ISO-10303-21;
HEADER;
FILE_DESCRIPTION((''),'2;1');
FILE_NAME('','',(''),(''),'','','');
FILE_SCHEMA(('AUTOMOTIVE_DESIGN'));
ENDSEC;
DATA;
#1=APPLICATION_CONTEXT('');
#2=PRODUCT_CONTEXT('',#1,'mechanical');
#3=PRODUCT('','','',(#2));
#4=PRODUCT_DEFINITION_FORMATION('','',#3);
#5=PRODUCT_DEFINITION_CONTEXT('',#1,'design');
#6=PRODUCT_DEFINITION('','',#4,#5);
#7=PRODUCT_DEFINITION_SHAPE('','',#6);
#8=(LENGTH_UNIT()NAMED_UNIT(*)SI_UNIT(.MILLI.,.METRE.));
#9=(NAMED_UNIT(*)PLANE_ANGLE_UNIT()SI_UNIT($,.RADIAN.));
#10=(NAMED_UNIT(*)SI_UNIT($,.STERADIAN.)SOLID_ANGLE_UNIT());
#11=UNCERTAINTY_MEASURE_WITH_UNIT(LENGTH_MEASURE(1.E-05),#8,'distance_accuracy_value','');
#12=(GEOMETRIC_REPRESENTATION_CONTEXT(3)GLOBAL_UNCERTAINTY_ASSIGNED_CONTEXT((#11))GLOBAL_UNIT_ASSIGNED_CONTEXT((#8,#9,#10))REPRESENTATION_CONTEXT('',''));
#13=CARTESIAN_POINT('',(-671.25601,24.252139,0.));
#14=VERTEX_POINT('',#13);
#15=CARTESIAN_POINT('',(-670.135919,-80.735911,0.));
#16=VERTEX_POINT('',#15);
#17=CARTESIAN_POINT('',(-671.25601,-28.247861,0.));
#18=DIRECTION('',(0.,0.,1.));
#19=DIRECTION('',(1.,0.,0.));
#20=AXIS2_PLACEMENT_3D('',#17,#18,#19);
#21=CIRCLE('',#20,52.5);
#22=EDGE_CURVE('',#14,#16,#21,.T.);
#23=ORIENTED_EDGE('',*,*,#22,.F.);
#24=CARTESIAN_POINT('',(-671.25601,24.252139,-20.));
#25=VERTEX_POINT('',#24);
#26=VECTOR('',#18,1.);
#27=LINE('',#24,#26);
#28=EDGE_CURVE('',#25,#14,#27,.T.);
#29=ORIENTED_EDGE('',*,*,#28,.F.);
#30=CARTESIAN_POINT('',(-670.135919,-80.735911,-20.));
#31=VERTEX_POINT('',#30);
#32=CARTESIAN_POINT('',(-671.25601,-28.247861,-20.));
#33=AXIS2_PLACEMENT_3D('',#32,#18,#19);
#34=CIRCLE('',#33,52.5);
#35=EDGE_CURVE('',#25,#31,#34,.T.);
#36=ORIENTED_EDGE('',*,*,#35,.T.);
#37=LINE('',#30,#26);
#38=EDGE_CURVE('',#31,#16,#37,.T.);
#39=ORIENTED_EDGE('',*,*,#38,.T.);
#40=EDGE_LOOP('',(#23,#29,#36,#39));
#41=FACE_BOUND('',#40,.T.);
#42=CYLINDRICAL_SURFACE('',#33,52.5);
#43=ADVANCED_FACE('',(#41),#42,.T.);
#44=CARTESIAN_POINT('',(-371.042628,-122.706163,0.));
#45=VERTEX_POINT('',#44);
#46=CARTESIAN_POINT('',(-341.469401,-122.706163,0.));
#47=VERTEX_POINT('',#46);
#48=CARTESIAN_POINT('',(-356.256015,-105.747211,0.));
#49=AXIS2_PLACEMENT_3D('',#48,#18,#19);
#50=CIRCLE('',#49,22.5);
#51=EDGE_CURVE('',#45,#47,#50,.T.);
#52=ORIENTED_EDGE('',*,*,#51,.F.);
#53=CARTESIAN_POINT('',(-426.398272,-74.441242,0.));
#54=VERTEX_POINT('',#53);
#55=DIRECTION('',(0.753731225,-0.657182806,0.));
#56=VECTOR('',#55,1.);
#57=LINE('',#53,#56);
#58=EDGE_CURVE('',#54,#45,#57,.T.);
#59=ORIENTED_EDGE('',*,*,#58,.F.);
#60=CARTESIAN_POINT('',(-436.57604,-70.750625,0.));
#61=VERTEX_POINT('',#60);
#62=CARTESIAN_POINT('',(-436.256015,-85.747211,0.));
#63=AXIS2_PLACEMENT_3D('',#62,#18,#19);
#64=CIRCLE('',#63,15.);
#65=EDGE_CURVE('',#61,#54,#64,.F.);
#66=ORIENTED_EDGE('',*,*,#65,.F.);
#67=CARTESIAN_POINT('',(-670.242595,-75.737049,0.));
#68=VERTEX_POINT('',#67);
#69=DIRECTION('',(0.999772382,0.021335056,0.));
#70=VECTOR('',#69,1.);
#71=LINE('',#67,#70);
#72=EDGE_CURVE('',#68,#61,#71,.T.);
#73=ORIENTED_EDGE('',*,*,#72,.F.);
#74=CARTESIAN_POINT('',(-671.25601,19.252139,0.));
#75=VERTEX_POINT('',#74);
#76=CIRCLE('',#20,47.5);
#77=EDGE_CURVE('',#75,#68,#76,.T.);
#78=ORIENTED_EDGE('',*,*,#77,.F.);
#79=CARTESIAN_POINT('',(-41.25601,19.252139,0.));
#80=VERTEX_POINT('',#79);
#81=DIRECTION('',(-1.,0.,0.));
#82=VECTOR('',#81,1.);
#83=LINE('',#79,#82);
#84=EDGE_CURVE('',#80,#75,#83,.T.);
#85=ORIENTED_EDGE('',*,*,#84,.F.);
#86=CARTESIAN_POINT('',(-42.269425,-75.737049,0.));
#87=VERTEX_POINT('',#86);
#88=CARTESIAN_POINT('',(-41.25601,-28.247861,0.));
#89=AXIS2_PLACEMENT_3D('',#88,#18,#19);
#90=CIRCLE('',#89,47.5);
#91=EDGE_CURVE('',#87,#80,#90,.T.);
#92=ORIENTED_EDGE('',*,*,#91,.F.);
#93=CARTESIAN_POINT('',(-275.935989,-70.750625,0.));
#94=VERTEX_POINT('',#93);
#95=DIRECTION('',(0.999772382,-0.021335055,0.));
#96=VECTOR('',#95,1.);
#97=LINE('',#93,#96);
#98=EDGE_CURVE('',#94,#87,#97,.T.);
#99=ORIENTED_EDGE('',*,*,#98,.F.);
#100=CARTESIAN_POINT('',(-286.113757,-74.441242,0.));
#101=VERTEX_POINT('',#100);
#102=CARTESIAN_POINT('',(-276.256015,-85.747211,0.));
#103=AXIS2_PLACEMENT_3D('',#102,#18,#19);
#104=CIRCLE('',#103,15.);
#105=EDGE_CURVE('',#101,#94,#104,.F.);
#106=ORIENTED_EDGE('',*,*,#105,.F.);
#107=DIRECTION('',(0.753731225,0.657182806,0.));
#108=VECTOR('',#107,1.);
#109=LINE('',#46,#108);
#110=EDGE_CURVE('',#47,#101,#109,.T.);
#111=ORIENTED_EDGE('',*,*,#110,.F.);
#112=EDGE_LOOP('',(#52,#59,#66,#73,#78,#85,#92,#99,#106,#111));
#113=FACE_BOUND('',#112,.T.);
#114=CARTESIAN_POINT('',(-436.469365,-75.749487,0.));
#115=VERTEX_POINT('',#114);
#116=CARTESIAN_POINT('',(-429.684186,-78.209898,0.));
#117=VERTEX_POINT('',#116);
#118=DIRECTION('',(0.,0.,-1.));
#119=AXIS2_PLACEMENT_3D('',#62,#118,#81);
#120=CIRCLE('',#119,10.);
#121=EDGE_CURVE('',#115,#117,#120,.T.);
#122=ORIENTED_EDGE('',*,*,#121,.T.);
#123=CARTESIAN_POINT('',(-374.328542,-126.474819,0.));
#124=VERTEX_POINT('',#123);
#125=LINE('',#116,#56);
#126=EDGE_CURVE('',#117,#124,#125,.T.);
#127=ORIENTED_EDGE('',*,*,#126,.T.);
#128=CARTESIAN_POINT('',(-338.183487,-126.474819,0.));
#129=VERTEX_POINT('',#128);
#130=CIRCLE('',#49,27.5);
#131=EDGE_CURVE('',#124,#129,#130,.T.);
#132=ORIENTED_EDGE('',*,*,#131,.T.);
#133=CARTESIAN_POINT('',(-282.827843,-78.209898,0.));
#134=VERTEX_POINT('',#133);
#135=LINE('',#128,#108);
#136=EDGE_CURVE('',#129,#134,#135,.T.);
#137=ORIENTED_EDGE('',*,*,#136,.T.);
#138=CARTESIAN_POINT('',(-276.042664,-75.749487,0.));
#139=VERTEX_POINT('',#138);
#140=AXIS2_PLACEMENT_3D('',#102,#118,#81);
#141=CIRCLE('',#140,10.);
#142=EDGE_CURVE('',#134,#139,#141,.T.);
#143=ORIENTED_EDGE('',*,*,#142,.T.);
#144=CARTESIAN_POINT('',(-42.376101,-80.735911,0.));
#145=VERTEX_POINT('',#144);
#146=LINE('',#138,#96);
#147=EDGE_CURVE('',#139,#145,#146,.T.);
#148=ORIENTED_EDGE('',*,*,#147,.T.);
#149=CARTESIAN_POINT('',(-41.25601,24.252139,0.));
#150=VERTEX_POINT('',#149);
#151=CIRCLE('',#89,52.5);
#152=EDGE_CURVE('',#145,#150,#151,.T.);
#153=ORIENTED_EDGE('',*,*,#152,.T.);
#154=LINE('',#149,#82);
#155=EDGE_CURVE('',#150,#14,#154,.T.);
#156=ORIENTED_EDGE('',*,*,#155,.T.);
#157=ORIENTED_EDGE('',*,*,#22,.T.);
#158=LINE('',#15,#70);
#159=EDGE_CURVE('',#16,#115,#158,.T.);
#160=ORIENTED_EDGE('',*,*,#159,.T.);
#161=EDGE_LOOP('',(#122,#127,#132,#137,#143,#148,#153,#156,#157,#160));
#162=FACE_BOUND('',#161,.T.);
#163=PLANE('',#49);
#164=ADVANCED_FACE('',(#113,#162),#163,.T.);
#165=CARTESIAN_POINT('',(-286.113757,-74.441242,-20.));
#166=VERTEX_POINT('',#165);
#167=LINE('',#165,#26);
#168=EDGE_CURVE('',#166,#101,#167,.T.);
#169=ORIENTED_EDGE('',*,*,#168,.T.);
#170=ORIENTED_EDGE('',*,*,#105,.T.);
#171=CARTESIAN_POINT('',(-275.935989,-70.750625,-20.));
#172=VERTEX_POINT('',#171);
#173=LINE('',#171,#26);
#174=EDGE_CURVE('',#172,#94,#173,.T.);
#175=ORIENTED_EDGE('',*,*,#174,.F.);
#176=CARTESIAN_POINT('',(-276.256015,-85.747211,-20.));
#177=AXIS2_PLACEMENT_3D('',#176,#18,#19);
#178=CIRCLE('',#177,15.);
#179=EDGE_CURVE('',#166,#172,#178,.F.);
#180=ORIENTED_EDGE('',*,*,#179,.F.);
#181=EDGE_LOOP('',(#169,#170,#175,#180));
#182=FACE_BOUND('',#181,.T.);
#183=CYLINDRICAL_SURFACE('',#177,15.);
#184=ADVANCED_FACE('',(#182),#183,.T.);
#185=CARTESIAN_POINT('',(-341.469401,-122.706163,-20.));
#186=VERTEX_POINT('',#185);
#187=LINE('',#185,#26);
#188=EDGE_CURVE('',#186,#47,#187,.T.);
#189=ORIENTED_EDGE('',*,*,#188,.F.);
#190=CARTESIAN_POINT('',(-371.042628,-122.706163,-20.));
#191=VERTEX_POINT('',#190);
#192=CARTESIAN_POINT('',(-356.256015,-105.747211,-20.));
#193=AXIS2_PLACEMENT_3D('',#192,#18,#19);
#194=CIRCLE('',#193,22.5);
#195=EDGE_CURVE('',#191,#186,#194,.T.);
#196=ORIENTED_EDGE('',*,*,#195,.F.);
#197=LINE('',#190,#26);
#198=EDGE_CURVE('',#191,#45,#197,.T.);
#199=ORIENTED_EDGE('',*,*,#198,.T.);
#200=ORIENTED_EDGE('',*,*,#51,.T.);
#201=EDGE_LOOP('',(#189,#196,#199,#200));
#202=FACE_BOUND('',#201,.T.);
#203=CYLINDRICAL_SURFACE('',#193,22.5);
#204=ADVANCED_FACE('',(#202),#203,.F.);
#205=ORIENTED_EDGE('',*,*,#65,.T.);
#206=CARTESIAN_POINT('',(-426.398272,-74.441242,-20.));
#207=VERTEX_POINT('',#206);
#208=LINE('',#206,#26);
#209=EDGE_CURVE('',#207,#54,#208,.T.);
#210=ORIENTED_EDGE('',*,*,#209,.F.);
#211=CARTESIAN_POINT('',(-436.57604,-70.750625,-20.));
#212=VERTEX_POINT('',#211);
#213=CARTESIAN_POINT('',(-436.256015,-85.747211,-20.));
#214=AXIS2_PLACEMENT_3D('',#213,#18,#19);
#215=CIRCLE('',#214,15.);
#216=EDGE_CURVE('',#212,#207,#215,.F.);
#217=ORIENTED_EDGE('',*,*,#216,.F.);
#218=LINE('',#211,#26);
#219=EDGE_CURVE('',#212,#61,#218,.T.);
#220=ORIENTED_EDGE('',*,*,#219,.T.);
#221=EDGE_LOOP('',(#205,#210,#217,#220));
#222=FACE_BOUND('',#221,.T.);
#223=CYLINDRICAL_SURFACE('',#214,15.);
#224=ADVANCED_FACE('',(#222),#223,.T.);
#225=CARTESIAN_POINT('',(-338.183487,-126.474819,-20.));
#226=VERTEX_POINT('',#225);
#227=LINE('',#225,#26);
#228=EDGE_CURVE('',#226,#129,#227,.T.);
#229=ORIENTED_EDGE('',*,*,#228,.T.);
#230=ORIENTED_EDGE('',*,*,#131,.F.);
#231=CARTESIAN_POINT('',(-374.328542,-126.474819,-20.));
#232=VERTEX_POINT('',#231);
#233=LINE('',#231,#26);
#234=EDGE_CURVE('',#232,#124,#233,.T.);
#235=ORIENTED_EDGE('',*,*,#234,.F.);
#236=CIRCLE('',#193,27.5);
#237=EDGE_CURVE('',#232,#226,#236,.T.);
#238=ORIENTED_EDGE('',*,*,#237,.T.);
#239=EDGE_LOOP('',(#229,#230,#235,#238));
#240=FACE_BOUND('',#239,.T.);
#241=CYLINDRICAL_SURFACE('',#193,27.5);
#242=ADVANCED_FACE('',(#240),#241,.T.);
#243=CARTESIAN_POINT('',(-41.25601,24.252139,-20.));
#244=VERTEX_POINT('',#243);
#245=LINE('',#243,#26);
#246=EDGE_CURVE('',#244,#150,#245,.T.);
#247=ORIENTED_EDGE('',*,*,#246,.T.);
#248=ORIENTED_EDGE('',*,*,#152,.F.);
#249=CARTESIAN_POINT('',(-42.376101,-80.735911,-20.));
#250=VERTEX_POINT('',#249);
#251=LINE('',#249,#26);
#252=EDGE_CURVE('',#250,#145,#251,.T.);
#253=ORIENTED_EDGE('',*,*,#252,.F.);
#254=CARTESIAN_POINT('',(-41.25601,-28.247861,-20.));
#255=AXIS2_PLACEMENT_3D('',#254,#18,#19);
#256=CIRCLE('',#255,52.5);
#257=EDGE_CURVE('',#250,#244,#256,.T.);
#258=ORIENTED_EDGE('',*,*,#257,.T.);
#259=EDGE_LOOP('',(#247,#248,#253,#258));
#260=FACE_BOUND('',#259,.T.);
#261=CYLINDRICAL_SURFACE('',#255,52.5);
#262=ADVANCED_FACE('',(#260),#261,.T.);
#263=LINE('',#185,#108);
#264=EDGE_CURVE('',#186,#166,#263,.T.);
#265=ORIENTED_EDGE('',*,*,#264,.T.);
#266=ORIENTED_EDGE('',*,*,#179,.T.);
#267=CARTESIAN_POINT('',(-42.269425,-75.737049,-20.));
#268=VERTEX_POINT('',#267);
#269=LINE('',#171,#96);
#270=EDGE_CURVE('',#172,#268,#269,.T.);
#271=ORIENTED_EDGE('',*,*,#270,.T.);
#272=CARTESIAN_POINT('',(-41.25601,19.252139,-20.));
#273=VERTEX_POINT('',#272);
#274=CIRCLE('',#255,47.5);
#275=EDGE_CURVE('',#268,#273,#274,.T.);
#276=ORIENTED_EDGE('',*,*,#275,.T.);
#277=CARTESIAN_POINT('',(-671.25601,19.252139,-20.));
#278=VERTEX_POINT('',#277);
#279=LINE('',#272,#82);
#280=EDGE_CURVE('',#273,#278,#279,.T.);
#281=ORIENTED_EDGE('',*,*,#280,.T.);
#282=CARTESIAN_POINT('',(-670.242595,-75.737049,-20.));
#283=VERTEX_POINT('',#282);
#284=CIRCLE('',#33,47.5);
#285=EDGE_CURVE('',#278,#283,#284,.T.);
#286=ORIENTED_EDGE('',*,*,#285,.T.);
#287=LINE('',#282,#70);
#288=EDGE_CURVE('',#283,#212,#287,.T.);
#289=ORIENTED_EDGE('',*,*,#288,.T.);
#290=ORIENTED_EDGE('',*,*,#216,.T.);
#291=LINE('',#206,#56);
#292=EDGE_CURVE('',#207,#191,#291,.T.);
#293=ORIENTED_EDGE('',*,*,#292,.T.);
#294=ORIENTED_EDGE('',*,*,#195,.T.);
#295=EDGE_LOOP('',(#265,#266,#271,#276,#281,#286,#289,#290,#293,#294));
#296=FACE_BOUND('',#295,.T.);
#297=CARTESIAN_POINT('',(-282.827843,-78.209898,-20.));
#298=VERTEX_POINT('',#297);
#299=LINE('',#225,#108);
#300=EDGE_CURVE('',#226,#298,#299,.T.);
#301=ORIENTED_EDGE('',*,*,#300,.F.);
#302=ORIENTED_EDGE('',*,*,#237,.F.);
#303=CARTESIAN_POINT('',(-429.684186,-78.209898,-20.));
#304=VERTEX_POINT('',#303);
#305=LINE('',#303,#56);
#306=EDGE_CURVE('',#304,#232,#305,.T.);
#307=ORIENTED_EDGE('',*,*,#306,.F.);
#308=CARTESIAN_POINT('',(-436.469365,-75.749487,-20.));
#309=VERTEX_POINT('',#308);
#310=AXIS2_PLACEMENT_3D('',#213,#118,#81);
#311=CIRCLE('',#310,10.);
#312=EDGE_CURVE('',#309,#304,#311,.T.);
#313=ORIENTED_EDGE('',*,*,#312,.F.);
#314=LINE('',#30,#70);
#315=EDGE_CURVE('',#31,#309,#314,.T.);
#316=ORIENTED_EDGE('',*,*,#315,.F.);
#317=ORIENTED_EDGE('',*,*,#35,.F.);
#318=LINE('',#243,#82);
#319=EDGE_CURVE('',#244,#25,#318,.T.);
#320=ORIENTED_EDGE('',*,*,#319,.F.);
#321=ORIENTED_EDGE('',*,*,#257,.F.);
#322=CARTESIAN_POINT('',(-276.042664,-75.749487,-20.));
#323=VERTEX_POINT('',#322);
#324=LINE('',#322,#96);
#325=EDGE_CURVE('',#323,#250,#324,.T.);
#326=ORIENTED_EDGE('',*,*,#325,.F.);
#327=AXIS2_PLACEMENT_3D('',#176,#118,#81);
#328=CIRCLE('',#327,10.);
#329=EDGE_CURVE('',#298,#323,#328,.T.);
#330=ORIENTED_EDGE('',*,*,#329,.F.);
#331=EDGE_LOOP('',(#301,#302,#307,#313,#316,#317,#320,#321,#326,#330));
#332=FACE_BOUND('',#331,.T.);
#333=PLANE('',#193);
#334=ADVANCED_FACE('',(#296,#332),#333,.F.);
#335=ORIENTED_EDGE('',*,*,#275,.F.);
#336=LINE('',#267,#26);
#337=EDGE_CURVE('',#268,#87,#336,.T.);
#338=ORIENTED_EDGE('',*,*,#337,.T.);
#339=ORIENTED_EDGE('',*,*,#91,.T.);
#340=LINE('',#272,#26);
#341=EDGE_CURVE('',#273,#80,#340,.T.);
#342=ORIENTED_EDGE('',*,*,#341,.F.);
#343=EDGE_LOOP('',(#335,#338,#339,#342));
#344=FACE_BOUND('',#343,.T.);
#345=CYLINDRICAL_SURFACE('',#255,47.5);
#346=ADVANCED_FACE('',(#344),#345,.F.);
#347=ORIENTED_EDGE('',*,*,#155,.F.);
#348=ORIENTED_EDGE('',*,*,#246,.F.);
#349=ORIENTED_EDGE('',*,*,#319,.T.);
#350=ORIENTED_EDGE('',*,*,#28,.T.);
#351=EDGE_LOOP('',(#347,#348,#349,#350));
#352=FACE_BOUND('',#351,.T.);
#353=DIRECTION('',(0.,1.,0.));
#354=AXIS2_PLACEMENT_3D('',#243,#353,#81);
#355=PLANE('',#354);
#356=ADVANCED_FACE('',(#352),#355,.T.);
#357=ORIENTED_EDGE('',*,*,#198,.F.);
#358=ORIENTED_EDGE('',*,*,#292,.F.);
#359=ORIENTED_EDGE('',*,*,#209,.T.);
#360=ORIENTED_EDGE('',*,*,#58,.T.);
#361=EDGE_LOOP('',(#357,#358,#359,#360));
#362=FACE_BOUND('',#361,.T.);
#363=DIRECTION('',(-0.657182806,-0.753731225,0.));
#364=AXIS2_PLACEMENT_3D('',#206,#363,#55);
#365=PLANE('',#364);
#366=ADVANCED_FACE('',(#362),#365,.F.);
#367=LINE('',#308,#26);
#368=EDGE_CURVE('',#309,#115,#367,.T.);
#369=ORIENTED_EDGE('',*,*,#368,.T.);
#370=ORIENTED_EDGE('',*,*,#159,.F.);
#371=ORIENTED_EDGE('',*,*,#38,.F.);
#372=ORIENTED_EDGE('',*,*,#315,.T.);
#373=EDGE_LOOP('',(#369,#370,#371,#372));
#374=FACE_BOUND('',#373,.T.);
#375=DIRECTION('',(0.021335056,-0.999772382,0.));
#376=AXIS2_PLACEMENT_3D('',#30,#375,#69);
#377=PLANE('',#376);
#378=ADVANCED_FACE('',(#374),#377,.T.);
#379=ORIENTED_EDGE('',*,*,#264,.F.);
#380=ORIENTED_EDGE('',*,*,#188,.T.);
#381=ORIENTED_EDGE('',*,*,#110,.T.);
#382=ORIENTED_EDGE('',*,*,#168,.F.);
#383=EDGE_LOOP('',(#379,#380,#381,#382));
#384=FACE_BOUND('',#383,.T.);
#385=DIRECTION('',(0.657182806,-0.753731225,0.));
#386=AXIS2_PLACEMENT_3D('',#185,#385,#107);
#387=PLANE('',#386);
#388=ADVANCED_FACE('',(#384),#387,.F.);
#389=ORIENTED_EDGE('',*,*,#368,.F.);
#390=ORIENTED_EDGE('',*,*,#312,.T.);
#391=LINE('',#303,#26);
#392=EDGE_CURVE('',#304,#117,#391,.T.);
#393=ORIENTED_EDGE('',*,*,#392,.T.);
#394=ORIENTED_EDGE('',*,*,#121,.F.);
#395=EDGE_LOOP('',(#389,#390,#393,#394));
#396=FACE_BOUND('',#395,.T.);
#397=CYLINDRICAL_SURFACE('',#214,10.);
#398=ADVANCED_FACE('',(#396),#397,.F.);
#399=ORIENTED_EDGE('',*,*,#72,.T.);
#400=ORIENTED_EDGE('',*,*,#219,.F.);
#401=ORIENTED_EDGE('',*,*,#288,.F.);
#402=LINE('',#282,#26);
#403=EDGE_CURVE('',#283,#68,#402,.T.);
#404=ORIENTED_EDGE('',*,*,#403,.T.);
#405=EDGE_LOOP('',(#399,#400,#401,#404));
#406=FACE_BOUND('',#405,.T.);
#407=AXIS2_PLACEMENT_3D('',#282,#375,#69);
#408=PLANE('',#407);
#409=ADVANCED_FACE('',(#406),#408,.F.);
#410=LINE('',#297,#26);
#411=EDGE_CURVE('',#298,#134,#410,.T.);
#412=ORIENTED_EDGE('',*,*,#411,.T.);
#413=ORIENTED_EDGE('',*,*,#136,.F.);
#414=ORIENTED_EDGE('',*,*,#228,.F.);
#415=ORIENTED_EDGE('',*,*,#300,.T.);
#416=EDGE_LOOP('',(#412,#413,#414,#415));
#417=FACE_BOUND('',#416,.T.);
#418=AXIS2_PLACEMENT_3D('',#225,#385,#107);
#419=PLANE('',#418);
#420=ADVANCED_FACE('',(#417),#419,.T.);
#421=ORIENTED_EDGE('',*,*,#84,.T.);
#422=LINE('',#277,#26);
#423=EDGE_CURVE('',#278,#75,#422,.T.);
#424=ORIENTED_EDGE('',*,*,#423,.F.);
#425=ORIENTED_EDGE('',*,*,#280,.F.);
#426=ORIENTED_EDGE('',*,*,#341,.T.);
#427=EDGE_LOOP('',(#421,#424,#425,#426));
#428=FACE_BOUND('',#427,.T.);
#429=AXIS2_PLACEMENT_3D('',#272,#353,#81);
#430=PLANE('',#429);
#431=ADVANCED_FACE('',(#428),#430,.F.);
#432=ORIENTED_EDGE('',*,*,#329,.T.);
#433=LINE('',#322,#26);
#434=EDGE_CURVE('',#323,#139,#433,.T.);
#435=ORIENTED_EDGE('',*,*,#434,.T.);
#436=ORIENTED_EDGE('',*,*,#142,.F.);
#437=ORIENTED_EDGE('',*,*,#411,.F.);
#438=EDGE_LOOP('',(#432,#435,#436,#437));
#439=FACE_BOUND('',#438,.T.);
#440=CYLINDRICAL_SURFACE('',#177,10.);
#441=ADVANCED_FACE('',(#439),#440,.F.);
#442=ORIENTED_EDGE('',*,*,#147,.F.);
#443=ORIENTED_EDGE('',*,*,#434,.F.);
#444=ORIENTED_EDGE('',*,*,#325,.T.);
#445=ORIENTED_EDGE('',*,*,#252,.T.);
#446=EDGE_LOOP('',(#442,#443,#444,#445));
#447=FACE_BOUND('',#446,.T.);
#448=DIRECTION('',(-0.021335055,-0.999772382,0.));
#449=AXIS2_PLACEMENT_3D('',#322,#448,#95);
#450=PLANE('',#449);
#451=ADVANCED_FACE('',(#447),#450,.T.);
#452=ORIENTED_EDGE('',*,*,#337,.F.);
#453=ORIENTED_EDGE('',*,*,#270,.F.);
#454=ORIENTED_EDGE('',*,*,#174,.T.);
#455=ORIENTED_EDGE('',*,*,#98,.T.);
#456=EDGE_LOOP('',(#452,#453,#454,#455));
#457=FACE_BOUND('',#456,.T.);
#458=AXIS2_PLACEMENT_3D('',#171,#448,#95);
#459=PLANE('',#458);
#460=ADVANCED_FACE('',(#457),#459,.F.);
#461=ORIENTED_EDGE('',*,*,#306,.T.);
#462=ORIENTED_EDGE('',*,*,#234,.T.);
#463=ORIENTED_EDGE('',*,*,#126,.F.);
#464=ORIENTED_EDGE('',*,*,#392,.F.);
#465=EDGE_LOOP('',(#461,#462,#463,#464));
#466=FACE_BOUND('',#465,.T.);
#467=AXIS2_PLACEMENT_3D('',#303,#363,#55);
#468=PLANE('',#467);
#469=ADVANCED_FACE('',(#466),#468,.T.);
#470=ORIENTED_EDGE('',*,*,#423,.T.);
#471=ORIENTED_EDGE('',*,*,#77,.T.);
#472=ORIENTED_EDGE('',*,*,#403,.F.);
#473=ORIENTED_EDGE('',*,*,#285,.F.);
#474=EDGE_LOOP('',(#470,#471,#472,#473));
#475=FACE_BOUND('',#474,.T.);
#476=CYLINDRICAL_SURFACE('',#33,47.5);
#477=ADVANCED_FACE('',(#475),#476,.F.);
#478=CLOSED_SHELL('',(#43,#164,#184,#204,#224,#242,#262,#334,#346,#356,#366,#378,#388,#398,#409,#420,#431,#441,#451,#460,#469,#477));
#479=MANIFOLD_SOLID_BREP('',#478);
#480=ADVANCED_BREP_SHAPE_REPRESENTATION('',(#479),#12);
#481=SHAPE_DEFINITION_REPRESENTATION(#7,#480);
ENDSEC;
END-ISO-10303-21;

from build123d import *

# Parameters (mm, degrees)
EXTRUIR_L_MINA1_DEPTH = 20


with BuildPart() as part:
    # Croquis2 → Extruir-Lámina1 (new body)
    with BuildSketch(Plane.XY):
        with BuildLine():
            Line((-429.684186478, -78.209898266), (-374.32854171, -126.474819196))
            ThreePointArc((-374.32854171, -126.474819196), (-356.25601454, -133.247210514), (-338.183487369, -126.474819196))
            Line((-338.183487369, -126.474819196), (-282.827842602, -78.209898266))
            ThreePointArc((-282.827842602, -78.209898266), (-279.664968242, -76.346198087), (-276.042663992, -75.749486696))
            Line((-276.042663992, -75.749486696), (-42.376100513, -80.735910629))
            ThreePointArc((-42.376100513, -80.735910629), (11.241002289, -28.807937643), (-41.256010137, 24.252139416))
            Line((-41.256010137, 24.252139416), (-671.256009706, 24.252139416))
            ThreePointArc((-671.256009706, 24.252139416), (-723.753022133, -28.807937666), (-670.135919286, -80.735910628))
            Line((-670.135919286, -80.735910628), (-436.469365096, -75.749486696))
            ThreePointArc((-436.469365096, -75.749486696), (-432.847060841, -76.346198085), (-429.684186478, -78.209898266))
        make_face()
        with BuildLine():
            Line((-426.398272447, -74.441242142), (-371.042627679, -122.706163072))
            ThreePointArc((-371.042627679, -122.706163072), (-356.25601454, -128.247210514), (-341.4694014, -122.706163072))
            Line((-341.4694014, -122.706163072), (-286.113756633, -74.441242142))
            ThreePointArc((-286.113756633, -74.441242142), (-281.369445094, -71.645691873), (-275.935988718, -70.750624787))
            Line((-275.935988718, -70.750624787), (-42.269425239, -75.73704872))
            ThreePointArc((-42.269425239, -75.73704872), (6.24128682, -28.754596971), (-41.256010137, 19.252139416))
            Line((-41.256010137, 19.252139416), (-671.256009706, 19.252139416))
            ThreePointArc((-671.256009706, 19.252139416), (-718.753306663, -28.754596991), (-670.242594564, -75.737048719))
            Line((-670.242594564, -75.737048719), (-436.576040374, -70.750624787))
            ThreePointArc((-436.576040374, -70.750624787), (-431.142583991, -71.645691871), (-426.398272447, -74.441242142))
        make_face(mode=Mode.SUBTRACT)
    extrude(amount=-EXTRUIR_L_MINA1_DEPTH)


solid = part.part
